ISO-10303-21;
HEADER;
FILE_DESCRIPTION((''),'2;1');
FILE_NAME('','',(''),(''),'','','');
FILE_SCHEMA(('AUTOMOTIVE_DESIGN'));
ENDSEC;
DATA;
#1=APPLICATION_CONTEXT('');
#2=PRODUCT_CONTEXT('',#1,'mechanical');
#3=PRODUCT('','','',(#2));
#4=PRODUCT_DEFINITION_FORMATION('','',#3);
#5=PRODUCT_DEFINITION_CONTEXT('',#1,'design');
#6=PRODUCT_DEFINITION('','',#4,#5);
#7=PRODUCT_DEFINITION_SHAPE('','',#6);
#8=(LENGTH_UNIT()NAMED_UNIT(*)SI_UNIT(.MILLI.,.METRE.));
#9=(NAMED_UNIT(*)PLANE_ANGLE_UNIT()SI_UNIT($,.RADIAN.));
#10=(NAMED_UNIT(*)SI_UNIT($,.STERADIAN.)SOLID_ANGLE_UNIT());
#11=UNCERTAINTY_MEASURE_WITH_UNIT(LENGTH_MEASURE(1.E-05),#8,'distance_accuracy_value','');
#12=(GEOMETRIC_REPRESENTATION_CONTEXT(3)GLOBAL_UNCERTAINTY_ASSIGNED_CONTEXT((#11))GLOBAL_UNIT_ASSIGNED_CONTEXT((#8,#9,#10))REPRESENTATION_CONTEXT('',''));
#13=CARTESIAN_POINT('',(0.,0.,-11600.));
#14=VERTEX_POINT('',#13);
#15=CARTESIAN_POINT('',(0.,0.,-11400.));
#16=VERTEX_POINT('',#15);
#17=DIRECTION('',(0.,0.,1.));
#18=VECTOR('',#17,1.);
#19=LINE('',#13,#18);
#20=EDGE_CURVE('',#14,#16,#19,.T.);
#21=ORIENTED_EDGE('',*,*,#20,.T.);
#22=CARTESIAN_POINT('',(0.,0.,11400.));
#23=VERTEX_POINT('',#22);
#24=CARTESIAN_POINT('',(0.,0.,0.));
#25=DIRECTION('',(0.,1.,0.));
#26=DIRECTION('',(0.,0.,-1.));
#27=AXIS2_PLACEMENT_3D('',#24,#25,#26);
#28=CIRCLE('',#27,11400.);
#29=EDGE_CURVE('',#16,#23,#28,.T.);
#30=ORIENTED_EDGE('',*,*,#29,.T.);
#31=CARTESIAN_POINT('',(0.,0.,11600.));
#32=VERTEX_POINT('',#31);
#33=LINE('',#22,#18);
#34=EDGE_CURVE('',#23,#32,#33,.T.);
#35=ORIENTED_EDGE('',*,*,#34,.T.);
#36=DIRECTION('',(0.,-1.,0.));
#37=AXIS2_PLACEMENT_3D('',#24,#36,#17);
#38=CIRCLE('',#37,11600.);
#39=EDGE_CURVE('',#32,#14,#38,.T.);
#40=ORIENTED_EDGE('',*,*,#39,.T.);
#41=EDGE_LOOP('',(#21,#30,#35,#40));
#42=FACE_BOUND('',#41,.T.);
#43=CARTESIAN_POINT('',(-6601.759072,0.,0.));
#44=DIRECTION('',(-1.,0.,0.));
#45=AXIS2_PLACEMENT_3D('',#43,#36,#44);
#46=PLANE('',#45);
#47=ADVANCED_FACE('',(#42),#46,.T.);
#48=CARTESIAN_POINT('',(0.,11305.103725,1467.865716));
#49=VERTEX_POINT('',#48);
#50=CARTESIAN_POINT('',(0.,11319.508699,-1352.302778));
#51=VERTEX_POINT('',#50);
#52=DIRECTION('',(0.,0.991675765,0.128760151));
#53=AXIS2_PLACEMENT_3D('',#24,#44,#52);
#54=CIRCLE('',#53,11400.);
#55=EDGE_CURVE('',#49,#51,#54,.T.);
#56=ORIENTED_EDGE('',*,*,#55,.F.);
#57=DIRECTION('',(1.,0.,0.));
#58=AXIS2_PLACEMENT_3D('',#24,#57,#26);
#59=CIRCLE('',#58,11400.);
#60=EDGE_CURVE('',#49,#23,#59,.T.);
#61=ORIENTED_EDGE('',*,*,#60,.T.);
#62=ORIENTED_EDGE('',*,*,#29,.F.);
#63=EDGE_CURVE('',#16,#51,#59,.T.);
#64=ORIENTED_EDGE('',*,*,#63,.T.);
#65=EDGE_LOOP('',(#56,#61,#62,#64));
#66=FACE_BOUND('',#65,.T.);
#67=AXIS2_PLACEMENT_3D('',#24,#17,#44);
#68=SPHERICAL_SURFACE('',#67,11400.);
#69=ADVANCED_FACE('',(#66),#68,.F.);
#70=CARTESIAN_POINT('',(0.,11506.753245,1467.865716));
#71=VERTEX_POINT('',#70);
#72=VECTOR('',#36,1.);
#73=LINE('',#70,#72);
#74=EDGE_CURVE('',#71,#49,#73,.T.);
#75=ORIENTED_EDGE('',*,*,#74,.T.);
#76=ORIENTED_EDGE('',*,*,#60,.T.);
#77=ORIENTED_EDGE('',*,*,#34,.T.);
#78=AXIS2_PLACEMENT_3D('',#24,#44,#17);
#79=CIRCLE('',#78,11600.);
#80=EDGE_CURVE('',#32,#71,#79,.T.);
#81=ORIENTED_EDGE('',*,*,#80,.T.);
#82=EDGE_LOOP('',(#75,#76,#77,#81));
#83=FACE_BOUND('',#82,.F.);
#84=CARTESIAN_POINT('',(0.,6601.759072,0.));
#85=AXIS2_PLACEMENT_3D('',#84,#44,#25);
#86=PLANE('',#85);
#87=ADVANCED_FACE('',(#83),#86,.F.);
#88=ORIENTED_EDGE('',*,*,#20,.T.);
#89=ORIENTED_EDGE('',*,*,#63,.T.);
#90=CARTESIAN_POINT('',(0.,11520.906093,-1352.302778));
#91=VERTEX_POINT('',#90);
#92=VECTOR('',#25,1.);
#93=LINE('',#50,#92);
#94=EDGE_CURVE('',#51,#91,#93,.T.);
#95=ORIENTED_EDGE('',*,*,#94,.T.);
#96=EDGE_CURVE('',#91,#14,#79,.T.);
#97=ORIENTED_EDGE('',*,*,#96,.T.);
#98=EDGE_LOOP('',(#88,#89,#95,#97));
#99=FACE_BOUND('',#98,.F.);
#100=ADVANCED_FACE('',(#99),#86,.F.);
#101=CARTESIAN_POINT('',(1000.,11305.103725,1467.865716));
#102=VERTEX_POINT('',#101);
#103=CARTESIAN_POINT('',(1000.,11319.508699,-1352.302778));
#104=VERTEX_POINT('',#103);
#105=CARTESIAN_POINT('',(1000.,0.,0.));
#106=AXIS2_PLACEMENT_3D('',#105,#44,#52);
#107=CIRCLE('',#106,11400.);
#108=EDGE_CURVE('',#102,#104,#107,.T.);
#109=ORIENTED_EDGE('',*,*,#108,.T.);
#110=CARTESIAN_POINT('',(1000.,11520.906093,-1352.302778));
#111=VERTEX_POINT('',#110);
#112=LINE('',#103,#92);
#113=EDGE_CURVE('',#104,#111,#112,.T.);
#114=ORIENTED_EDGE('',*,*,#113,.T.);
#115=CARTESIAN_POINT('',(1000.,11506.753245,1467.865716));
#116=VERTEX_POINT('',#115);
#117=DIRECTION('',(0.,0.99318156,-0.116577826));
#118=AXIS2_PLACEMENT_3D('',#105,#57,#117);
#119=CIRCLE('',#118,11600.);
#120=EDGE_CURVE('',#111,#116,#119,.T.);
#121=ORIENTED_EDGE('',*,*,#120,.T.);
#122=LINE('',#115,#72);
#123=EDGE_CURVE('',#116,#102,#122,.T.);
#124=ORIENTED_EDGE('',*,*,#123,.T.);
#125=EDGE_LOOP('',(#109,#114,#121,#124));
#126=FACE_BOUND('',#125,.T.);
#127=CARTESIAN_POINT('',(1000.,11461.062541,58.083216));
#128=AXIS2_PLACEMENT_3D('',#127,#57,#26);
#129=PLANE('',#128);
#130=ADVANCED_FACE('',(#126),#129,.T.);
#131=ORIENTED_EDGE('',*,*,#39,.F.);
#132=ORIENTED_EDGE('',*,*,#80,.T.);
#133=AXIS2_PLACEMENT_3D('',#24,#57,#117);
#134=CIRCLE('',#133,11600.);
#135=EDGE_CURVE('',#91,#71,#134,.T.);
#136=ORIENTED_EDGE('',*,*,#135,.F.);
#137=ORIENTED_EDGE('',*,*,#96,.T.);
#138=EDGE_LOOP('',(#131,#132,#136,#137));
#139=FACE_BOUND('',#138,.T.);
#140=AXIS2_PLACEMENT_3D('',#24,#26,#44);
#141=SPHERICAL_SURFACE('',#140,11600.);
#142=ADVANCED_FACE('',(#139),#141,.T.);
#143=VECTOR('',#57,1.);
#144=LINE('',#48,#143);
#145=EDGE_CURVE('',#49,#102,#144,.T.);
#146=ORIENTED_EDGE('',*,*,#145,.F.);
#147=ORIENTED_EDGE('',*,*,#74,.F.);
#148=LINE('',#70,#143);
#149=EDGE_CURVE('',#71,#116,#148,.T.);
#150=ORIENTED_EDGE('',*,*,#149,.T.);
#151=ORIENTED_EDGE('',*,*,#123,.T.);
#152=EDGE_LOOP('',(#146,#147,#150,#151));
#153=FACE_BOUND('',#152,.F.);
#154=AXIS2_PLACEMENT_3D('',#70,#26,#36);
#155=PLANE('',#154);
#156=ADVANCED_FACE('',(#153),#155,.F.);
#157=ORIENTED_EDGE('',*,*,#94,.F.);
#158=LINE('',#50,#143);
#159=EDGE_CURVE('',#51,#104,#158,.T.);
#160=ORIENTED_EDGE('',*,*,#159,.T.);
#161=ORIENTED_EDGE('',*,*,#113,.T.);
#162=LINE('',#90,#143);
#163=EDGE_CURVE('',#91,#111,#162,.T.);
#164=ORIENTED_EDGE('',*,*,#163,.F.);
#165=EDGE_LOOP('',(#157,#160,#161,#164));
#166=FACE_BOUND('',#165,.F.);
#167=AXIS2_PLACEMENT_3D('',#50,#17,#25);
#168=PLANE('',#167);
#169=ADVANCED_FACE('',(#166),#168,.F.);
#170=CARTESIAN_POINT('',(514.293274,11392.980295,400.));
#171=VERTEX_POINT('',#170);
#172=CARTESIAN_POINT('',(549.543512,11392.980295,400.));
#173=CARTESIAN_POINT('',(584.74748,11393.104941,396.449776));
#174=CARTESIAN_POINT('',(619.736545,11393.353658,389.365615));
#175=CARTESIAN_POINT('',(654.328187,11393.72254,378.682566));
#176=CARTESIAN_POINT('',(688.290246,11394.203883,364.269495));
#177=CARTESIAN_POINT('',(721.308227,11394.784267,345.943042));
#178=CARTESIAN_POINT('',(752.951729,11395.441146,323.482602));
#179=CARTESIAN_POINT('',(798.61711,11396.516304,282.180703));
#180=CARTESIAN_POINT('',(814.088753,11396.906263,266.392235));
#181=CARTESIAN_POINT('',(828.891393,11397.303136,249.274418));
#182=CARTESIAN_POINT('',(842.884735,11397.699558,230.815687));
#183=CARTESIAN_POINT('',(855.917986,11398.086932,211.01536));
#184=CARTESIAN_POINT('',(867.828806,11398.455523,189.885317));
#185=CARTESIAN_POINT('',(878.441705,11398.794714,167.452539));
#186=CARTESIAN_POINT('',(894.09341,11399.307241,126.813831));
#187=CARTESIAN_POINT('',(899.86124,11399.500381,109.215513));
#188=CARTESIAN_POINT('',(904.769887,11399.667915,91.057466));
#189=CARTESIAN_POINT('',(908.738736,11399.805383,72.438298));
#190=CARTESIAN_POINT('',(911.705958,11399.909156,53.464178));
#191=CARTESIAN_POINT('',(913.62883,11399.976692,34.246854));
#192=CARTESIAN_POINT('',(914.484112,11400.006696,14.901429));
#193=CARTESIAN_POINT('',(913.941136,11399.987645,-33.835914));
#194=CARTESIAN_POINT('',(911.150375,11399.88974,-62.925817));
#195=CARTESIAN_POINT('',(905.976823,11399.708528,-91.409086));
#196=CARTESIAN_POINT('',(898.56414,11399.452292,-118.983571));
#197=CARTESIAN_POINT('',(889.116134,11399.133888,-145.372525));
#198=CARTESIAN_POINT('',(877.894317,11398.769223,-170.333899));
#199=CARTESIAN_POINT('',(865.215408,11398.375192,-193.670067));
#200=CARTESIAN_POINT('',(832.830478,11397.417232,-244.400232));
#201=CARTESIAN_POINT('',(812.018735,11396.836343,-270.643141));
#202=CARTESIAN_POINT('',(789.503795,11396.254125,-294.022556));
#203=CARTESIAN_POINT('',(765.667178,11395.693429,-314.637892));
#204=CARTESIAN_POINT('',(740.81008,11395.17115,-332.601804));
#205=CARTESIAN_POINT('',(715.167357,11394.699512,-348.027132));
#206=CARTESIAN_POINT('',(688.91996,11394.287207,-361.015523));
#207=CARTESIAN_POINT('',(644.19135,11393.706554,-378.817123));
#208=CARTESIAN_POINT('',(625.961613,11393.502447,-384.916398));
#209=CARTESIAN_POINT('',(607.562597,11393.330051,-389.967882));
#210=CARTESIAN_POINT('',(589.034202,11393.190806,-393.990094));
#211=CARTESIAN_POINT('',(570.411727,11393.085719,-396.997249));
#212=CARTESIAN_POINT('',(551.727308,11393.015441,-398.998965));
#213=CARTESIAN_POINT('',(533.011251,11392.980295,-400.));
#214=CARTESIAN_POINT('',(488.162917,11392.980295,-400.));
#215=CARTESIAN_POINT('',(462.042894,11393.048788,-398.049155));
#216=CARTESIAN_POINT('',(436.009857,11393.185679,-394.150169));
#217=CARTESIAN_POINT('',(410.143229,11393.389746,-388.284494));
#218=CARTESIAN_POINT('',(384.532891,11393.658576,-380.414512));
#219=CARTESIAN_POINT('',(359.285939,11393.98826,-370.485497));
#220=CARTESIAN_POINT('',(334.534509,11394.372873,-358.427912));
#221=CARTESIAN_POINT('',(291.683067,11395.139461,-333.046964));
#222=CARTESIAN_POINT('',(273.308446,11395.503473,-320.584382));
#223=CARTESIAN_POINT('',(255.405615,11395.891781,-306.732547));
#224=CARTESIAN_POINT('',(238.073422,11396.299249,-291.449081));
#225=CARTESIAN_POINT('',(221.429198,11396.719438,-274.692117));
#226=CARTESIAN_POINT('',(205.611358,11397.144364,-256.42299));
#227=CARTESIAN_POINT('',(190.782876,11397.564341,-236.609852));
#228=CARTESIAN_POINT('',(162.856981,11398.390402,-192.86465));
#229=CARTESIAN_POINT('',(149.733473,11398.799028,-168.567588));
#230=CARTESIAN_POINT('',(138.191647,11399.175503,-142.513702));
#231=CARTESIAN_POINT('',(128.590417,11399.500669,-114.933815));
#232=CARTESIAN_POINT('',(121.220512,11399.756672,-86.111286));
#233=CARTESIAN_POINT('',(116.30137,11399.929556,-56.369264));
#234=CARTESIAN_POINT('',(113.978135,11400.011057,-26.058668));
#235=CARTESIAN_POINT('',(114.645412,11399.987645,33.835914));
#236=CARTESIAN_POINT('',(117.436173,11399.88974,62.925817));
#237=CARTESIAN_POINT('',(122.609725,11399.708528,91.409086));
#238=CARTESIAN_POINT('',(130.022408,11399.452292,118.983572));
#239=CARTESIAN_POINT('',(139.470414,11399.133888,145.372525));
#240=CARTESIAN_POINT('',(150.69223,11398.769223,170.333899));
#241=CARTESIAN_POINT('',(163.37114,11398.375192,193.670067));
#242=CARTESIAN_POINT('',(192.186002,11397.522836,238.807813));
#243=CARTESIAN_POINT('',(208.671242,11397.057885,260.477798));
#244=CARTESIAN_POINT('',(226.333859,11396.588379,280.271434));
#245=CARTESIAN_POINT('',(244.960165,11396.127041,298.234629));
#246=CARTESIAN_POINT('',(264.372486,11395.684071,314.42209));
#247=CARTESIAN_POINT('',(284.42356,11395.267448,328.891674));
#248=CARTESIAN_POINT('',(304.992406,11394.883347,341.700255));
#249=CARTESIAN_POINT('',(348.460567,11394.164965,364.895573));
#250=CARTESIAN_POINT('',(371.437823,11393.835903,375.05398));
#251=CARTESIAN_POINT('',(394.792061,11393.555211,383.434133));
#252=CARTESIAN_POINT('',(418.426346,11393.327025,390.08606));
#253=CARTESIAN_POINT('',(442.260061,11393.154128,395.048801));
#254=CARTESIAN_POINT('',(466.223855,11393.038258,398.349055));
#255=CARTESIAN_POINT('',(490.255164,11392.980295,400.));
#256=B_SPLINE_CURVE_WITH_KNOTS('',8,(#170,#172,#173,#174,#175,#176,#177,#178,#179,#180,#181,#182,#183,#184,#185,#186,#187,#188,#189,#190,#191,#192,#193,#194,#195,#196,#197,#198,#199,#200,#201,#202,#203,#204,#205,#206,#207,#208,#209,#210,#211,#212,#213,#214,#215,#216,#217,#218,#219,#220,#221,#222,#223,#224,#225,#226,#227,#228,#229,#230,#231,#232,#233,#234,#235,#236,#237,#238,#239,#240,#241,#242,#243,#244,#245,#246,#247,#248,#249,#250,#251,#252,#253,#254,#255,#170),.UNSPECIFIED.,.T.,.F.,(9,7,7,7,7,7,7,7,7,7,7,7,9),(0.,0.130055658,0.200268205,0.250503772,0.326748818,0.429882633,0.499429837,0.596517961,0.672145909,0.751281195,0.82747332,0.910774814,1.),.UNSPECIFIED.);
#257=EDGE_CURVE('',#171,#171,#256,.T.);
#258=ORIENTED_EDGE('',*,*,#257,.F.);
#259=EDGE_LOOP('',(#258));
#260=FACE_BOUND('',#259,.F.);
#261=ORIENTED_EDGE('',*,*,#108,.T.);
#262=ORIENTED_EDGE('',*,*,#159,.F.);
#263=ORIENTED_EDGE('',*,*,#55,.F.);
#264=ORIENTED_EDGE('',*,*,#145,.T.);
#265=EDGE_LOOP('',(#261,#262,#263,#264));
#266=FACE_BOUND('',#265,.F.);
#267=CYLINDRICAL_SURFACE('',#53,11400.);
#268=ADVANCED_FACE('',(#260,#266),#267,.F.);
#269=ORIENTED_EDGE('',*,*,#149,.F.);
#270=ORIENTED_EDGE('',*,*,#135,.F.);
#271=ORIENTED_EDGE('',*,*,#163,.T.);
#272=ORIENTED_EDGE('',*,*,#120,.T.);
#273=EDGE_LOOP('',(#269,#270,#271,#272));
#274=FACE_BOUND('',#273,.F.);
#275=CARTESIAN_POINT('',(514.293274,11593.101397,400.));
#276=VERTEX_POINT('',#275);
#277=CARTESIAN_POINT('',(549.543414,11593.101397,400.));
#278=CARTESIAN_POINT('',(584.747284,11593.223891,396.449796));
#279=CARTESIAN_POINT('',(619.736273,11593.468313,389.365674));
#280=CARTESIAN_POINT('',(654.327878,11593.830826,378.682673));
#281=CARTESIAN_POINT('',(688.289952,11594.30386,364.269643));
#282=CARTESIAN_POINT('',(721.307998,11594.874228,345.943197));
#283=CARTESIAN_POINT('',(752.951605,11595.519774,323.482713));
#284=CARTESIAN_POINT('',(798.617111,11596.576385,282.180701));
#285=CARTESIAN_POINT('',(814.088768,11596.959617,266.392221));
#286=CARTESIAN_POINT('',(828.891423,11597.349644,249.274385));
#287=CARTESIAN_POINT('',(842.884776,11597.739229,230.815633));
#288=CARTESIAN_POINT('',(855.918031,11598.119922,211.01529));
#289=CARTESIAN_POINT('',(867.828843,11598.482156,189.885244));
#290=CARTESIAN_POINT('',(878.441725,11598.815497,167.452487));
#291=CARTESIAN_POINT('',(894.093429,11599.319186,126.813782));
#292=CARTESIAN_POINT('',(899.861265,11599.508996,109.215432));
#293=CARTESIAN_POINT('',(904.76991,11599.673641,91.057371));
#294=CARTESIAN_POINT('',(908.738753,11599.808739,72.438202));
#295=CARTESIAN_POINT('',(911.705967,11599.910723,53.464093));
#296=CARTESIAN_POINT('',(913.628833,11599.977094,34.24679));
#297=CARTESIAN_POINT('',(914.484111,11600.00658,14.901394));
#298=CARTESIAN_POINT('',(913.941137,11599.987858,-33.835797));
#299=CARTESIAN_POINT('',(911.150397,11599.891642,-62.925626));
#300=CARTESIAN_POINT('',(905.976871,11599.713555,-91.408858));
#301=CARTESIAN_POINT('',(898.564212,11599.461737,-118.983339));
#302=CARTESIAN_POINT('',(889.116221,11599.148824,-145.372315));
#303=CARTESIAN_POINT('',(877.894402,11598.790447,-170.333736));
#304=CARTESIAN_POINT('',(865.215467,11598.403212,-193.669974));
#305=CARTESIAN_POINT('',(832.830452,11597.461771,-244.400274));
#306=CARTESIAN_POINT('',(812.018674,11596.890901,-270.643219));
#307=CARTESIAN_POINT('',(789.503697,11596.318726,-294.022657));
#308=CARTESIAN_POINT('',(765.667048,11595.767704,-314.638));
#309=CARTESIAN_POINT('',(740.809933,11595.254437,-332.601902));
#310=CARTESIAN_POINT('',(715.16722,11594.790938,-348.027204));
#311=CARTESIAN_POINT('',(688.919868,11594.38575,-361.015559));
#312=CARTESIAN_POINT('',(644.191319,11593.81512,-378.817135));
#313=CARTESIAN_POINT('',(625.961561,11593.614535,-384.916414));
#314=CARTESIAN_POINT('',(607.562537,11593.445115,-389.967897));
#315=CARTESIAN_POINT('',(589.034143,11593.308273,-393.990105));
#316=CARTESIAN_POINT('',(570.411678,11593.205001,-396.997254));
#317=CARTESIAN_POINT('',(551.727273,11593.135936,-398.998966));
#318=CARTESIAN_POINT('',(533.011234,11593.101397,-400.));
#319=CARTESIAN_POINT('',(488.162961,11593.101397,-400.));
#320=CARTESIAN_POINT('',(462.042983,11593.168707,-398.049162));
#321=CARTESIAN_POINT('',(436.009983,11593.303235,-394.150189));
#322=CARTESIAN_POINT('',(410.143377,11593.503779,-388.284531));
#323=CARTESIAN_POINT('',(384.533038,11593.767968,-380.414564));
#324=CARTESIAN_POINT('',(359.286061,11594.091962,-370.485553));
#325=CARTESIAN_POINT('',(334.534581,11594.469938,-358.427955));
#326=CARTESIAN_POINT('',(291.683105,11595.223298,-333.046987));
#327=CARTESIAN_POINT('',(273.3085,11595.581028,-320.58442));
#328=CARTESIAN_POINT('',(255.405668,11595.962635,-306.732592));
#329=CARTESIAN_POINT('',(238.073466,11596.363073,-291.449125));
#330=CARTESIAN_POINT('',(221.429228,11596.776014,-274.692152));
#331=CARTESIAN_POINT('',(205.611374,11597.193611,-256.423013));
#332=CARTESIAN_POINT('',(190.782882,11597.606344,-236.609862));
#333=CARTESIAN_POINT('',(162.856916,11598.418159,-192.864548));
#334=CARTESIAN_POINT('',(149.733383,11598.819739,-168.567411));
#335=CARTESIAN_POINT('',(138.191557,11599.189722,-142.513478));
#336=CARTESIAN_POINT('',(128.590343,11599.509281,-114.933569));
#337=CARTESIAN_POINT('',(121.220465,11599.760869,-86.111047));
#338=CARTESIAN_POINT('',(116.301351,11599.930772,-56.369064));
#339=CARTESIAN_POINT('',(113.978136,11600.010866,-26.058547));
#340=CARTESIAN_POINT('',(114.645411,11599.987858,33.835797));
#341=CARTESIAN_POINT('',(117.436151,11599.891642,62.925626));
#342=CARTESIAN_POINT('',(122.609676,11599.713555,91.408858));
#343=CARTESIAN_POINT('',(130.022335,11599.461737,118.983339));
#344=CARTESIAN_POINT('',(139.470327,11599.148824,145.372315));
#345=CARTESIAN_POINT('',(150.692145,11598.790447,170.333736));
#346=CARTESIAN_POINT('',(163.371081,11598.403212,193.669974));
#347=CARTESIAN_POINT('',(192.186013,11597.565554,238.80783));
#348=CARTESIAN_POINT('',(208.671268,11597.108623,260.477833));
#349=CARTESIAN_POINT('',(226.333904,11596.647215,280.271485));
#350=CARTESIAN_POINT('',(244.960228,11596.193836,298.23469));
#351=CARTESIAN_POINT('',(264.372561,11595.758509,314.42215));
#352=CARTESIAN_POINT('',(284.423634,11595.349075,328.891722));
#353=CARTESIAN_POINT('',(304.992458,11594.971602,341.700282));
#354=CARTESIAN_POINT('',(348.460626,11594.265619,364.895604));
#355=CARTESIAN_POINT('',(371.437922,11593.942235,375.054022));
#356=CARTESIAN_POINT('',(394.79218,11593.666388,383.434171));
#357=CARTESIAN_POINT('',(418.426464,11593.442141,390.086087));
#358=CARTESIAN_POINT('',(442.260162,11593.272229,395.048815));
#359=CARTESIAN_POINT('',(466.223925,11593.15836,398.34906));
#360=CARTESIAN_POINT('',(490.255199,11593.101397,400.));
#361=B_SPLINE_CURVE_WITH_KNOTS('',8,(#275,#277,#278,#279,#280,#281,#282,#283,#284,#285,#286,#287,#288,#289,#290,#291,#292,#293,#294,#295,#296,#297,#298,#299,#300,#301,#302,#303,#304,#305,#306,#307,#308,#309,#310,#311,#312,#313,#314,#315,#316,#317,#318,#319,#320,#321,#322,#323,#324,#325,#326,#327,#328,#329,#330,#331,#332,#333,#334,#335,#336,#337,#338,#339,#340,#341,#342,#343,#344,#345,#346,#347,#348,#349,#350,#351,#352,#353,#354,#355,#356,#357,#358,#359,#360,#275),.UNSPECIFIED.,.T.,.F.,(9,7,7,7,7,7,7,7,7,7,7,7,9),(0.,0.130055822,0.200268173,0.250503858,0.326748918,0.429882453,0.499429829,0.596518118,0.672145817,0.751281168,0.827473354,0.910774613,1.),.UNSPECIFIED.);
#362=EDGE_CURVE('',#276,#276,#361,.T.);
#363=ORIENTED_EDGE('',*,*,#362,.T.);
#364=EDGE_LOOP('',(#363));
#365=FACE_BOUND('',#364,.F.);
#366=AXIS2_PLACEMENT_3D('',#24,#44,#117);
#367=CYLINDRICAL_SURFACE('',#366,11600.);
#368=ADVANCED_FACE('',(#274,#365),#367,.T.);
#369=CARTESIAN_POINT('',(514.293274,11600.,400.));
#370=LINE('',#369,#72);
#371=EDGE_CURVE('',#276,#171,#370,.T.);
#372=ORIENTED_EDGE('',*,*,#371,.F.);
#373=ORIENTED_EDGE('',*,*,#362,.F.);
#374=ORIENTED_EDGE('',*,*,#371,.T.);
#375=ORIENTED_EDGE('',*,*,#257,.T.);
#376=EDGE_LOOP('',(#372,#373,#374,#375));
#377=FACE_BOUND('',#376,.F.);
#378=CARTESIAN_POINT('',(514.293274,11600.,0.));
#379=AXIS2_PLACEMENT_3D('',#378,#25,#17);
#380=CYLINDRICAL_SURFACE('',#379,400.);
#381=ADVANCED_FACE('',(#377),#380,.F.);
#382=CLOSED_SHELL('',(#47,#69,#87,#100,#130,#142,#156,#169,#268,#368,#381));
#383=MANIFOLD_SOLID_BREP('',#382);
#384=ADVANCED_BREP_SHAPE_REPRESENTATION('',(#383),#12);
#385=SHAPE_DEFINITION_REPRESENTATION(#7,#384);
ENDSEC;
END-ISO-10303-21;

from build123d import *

# Parameters (mm, degrees)
REVOLVE1_ANGLE      = 90
BOSS_EXTRUDE1_DEPTH = 1000
SKETCH4_R           = 400
CUT_EXTRUDE1_DEPTH  = 1000


with BuildPart() as part:
    # Sketch1 → Revolve1 (revolve)
    with BuildSketch(Plane(origin=(0, 0, 0), x_dir=(1, 0, 0), z_dir=(0, 1, 0))):
        with BuildLine():
            Line((0, 11600), (0, 11400))
            ThreePointArc((0, 11400), (-11400, 0), (0, -11400))
            Line((0, -11400), (0, -11600))
            ThreePointArc((0, -11600), (-11600, 0), (0, 11600))
        make_face()
    revolve(axis=Axis((0, 0, 53.164398698), (0, 0, -1)), revolution_arc=REVOLVE1_ANGLE)

    # Sketch3 → Boss-Extrude1 (add)
    with BuildSketch(Plane(origin=(0, 0, 0), x_dir=(0, 0, -1), z_dir=(1, 0, 0))):
        with BuildLine():
            Line((-1467.86571595, 11506.75324494), (-1467.86571595, 11305.103725306))
            ThreePointArc((-1467.86571595, 11305.103725306), (-58.228635227, 11399.851289646), (1352.302778281, 11319.508699403))
            Line((1352.302778281, 11319.508699403), (1352.302778281, 11520.906092658))
            ThreePointArc((1352.302778281, 11520.906092658), (-58.213176475, 11599.853931239), (-1467.86571595, 11506.75324494))
        make_face()
    extrude(amount=BOSS_EXTRUDE1_DEPTH)

    # Sketch4 → Cut-Extrude1 (cut)
    with BuildSketch(Plane(origin=(0, 11600, 0), x_dir=(1, 0, 0), z_dir=(0, 1, 0))):
        with Locations(Location((514.293273851, 0, 0), (0, 0, 270))):
            Circle(SKETCH4_R)
    extrude(amount=-CUT_EXTRUDE1_DEPTH, mode=Mode.SUBTRACT)


solid = part.part
